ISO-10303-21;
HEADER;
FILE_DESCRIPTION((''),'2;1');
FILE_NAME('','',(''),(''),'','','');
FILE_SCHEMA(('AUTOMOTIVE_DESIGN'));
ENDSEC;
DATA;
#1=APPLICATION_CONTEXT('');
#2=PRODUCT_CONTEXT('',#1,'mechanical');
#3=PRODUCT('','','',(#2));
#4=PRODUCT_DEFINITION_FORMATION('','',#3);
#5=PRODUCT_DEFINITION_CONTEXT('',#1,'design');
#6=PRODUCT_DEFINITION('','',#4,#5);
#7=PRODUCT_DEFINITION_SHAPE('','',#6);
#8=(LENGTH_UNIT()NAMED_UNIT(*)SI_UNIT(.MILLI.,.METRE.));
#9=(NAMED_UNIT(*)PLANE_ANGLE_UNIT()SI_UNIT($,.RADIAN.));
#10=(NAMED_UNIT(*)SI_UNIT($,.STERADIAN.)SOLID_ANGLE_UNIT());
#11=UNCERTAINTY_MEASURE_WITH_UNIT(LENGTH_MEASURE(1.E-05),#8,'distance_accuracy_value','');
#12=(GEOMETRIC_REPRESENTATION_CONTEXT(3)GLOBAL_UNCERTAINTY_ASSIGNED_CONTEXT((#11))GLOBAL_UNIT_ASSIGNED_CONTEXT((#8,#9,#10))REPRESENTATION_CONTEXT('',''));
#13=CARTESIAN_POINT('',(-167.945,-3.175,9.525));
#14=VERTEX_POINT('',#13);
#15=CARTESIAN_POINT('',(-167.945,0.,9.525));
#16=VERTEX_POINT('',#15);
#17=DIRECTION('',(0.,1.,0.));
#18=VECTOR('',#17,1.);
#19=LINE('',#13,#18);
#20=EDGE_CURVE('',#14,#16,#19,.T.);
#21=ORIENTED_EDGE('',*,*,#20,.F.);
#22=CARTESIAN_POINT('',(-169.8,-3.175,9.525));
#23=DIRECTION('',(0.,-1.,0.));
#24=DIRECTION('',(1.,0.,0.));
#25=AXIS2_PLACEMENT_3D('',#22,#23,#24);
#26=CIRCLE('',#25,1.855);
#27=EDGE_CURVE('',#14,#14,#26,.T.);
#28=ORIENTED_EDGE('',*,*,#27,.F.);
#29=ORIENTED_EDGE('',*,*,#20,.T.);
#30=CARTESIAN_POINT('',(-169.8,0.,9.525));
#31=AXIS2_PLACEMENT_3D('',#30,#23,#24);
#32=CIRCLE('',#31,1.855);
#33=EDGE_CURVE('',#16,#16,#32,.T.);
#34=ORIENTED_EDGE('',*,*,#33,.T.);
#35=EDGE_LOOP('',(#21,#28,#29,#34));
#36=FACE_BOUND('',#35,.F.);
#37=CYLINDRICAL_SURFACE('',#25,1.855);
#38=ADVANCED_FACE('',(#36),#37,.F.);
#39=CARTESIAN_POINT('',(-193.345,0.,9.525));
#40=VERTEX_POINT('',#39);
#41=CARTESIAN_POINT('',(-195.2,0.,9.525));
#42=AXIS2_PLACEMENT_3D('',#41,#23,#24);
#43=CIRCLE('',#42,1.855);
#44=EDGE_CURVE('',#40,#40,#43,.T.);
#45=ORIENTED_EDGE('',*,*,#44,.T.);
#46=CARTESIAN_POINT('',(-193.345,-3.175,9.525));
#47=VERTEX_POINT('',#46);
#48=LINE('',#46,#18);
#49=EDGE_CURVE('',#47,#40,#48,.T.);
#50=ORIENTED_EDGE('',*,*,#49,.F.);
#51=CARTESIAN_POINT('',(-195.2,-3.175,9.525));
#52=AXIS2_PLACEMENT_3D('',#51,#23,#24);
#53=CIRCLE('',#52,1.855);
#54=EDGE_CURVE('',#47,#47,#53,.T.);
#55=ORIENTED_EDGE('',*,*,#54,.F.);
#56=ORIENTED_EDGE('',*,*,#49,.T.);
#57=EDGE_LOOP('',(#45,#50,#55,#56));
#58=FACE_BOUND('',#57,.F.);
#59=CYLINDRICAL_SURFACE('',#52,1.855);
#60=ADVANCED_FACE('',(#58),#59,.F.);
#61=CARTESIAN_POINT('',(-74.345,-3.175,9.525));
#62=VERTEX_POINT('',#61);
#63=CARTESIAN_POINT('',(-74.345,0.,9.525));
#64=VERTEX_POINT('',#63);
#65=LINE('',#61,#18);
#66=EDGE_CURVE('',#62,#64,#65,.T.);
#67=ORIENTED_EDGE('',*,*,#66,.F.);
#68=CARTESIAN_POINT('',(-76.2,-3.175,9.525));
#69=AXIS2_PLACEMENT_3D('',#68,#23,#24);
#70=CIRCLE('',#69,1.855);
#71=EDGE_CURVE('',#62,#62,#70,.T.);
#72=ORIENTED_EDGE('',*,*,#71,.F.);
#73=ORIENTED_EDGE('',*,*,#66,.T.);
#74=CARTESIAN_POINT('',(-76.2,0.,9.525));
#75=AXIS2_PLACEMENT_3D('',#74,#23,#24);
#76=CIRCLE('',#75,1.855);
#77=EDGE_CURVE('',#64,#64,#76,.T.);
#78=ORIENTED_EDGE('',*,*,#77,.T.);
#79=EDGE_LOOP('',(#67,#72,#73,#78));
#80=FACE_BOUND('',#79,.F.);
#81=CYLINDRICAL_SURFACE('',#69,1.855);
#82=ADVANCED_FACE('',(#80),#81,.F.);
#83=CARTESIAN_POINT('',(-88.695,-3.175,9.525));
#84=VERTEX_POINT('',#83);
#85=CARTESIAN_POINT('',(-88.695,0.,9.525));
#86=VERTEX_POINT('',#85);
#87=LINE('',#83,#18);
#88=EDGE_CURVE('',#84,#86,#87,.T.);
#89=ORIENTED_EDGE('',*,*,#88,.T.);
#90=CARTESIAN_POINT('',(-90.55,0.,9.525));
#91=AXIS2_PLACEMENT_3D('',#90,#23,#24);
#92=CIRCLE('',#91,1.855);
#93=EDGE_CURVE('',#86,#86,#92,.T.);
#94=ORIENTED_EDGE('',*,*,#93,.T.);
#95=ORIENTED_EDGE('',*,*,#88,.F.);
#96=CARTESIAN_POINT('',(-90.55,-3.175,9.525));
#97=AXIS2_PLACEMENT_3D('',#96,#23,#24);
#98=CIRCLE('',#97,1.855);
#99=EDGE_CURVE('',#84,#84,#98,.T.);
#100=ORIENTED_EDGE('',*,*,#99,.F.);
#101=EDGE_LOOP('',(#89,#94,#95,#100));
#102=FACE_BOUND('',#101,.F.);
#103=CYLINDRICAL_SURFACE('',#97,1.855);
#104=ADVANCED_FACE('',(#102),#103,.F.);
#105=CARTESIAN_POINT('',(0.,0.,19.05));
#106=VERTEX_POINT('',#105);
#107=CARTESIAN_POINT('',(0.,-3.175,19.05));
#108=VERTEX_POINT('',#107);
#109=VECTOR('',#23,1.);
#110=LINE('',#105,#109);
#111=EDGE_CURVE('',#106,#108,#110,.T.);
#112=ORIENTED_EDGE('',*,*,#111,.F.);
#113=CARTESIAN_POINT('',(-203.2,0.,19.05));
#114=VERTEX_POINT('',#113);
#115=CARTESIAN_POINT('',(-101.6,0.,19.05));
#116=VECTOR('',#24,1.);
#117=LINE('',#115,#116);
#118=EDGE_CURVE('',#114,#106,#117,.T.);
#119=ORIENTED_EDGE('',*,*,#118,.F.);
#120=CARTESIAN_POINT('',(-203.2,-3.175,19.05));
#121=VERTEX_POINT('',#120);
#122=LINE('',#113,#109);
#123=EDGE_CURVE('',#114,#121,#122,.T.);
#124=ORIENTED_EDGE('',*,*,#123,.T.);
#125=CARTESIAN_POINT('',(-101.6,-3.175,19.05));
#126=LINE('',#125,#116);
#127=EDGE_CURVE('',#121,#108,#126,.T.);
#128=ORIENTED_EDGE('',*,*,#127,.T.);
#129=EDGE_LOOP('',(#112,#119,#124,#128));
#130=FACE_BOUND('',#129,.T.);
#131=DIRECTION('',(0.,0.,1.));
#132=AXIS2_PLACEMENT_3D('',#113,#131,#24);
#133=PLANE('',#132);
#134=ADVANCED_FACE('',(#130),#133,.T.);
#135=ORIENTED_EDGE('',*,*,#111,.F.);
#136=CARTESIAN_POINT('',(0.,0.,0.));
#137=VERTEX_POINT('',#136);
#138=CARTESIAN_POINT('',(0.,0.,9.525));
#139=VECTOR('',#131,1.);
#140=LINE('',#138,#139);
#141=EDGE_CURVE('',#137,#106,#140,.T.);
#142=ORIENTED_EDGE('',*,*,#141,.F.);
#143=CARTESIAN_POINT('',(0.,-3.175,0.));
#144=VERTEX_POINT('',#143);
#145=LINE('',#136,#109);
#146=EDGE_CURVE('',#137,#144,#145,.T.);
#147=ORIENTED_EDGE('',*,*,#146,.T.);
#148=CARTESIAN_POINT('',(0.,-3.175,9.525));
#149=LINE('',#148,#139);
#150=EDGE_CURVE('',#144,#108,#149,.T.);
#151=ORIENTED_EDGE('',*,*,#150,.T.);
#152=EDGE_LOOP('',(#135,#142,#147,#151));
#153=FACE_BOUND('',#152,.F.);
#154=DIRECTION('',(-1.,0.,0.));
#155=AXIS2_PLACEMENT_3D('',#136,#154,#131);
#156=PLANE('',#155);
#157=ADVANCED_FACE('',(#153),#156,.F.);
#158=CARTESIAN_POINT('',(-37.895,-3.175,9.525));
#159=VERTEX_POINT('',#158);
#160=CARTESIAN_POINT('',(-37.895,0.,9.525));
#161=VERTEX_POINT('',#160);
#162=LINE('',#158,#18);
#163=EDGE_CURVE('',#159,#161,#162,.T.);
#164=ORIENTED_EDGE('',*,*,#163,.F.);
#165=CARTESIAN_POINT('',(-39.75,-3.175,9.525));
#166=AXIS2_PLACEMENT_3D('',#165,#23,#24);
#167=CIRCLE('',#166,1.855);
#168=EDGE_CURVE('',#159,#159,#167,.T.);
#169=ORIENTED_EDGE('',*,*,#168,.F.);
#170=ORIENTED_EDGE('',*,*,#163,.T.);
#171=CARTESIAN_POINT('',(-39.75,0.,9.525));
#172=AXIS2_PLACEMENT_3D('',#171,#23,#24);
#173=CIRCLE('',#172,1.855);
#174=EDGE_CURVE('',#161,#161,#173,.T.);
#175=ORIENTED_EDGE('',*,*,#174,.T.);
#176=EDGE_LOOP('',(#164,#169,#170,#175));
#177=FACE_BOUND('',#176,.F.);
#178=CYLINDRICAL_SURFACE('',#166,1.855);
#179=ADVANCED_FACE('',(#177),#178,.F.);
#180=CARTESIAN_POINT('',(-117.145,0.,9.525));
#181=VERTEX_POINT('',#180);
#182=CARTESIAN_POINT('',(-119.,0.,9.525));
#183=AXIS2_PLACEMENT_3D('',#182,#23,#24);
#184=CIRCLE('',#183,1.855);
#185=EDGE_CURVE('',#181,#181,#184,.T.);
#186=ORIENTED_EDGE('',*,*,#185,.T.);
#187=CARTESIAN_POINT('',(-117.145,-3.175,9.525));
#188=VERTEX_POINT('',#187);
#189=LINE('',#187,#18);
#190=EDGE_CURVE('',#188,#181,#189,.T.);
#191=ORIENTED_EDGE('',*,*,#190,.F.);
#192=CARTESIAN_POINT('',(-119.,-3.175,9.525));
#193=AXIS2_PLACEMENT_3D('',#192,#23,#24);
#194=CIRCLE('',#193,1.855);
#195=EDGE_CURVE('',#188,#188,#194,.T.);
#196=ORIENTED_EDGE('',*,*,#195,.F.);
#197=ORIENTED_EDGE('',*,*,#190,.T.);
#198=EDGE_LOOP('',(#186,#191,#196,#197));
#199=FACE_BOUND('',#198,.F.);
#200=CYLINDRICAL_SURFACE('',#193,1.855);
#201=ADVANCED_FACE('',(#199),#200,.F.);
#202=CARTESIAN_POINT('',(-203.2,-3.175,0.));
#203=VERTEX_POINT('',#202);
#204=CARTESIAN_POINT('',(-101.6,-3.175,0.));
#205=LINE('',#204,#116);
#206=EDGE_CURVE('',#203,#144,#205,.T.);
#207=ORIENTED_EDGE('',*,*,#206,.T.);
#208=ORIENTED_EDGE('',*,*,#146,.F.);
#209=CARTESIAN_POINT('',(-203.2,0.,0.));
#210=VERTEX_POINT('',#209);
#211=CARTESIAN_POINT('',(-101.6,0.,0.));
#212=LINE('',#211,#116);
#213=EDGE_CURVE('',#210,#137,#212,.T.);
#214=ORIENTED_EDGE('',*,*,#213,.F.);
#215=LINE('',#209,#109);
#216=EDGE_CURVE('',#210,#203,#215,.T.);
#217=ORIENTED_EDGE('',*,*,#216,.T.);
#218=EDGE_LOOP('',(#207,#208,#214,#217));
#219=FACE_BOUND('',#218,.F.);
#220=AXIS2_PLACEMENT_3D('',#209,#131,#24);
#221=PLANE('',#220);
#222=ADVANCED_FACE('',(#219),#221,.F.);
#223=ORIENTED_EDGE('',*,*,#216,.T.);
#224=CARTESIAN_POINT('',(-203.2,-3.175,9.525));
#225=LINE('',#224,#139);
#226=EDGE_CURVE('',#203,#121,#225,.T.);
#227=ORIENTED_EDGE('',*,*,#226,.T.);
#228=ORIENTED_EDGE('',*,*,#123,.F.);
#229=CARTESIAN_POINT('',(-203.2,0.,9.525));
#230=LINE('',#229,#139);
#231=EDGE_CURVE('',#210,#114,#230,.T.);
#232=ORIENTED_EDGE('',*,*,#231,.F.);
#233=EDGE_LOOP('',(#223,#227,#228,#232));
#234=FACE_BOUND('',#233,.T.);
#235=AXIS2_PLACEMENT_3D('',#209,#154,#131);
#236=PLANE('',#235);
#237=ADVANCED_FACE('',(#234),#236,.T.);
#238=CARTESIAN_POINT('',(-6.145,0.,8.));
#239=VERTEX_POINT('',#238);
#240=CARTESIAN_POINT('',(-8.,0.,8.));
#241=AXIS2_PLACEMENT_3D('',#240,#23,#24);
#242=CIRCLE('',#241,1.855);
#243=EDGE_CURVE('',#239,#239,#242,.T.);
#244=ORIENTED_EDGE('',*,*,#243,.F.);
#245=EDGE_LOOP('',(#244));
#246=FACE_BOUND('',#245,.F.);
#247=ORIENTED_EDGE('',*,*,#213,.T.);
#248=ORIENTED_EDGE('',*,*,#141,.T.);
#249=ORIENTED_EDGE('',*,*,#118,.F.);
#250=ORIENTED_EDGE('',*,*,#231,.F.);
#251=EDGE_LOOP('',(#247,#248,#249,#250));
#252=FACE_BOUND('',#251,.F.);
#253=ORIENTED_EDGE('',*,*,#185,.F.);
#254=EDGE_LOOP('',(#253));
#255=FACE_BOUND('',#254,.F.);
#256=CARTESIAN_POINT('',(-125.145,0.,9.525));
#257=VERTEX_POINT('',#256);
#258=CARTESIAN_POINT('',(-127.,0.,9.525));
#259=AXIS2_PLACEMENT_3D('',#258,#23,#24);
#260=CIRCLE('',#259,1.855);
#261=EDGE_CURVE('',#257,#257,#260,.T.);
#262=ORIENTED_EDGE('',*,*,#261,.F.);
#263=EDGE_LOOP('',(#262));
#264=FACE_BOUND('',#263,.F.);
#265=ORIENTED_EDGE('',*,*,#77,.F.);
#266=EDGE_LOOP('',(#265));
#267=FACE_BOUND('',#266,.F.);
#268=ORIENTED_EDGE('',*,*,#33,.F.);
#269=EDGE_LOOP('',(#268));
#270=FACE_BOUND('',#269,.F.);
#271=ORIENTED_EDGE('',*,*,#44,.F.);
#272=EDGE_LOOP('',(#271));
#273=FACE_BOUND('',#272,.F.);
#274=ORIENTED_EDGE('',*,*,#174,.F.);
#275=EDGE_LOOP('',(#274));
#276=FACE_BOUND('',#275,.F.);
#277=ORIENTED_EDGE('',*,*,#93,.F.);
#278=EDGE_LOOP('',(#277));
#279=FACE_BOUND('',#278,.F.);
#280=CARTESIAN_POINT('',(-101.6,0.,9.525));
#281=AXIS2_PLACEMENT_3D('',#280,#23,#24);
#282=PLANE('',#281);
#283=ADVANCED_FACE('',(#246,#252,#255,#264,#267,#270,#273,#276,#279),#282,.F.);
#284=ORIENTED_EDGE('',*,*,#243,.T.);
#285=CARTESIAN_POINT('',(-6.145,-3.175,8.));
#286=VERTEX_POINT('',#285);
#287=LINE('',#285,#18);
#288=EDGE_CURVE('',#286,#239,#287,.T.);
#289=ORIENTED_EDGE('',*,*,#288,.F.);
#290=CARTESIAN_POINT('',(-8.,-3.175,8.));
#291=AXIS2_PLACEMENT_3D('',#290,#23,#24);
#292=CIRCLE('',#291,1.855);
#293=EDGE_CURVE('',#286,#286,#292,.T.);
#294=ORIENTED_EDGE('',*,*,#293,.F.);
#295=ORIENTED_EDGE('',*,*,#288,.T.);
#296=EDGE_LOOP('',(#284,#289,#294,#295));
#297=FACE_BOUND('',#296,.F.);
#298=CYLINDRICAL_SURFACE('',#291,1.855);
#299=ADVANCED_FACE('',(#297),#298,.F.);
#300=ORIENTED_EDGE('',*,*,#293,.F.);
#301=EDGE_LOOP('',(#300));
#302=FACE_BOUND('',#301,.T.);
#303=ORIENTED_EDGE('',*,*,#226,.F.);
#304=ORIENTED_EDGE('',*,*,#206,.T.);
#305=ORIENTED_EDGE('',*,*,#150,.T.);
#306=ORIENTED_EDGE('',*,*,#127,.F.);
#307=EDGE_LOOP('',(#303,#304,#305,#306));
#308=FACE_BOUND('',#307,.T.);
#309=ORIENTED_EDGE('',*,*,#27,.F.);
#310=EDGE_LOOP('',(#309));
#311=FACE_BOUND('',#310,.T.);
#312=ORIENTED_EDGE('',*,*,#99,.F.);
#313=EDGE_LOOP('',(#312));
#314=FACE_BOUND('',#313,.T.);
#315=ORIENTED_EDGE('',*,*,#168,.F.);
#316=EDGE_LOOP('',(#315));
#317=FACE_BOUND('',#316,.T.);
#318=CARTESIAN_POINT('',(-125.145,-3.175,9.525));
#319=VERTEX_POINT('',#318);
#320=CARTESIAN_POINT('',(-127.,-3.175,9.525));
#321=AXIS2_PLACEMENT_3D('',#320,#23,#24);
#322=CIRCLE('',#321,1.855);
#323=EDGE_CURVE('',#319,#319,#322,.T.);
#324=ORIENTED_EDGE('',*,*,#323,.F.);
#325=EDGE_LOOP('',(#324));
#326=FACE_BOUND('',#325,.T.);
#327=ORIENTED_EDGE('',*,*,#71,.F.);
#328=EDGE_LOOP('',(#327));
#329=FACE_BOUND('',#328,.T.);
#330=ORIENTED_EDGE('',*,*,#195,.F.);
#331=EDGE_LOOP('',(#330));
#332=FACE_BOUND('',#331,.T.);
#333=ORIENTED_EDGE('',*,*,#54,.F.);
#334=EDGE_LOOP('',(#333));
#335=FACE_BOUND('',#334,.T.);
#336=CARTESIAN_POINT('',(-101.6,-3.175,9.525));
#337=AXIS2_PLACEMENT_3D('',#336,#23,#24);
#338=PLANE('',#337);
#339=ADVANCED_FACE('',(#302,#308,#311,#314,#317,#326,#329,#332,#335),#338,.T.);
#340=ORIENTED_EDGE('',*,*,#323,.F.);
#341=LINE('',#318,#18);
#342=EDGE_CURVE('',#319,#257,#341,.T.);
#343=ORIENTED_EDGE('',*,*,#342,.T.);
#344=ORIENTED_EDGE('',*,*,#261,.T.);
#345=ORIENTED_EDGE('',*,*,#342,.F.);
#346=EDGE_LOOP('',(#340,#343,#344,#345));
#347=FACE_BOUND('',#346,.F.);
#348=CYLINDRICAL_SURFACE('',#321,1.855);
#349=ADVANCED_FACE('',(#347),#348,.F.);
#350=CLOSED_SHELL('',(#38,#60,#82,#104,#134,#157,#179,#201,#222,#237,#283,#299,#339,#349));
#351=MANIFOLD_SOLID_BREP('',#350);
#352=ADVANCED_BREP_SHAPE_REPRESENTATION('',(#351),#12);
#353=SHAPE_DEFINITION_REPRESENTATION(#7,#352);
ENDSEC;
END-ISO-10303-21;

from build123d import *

# Parameters (mm, degrees)
F0_W     = 203.2
F0_H     = 19.05
F1_DEPTH = 3.175
F2_R     = 1.855
F3_DEPTH = 25.4


with BuildPart() as f1:
    # F0 (on Front) → F1 (new body)
    with BuildSketch(Plane.XZ):
        with Locations((-101.6, 9.525)):
            Rectangle(F0_W, F0_H)
    extrude(amount=F1_DEPTH)

    # F2 (on face) → F3 (cut)
    with BuildSketch(Plane.XZ.offset(3.175)):
        with Locations((-195.2, 9.525)):
            Circle(F2_R)
        with Locations((-169.8, 9.525)):
            Circle(F2_R)
        with Locations((-127, 9.525)):
            Circle(F2_R)
        with Locations((-119, 9.525)):
            Circle(F2_R)
        with Locations((-90.55, 9.525)):
            Circle(F2_R)
        with Locations((-76.2, 9.525)):
            Circle(F2_R)
        with Locations((-39.75, 9.525)):
            Circle(F2_R)
        with Locations((-8, 8)):
            Circle(F2_R)
    extrude(amount=-F3_DEPTH, mode=Mode.SUBTRACT)


solid = f1.part
